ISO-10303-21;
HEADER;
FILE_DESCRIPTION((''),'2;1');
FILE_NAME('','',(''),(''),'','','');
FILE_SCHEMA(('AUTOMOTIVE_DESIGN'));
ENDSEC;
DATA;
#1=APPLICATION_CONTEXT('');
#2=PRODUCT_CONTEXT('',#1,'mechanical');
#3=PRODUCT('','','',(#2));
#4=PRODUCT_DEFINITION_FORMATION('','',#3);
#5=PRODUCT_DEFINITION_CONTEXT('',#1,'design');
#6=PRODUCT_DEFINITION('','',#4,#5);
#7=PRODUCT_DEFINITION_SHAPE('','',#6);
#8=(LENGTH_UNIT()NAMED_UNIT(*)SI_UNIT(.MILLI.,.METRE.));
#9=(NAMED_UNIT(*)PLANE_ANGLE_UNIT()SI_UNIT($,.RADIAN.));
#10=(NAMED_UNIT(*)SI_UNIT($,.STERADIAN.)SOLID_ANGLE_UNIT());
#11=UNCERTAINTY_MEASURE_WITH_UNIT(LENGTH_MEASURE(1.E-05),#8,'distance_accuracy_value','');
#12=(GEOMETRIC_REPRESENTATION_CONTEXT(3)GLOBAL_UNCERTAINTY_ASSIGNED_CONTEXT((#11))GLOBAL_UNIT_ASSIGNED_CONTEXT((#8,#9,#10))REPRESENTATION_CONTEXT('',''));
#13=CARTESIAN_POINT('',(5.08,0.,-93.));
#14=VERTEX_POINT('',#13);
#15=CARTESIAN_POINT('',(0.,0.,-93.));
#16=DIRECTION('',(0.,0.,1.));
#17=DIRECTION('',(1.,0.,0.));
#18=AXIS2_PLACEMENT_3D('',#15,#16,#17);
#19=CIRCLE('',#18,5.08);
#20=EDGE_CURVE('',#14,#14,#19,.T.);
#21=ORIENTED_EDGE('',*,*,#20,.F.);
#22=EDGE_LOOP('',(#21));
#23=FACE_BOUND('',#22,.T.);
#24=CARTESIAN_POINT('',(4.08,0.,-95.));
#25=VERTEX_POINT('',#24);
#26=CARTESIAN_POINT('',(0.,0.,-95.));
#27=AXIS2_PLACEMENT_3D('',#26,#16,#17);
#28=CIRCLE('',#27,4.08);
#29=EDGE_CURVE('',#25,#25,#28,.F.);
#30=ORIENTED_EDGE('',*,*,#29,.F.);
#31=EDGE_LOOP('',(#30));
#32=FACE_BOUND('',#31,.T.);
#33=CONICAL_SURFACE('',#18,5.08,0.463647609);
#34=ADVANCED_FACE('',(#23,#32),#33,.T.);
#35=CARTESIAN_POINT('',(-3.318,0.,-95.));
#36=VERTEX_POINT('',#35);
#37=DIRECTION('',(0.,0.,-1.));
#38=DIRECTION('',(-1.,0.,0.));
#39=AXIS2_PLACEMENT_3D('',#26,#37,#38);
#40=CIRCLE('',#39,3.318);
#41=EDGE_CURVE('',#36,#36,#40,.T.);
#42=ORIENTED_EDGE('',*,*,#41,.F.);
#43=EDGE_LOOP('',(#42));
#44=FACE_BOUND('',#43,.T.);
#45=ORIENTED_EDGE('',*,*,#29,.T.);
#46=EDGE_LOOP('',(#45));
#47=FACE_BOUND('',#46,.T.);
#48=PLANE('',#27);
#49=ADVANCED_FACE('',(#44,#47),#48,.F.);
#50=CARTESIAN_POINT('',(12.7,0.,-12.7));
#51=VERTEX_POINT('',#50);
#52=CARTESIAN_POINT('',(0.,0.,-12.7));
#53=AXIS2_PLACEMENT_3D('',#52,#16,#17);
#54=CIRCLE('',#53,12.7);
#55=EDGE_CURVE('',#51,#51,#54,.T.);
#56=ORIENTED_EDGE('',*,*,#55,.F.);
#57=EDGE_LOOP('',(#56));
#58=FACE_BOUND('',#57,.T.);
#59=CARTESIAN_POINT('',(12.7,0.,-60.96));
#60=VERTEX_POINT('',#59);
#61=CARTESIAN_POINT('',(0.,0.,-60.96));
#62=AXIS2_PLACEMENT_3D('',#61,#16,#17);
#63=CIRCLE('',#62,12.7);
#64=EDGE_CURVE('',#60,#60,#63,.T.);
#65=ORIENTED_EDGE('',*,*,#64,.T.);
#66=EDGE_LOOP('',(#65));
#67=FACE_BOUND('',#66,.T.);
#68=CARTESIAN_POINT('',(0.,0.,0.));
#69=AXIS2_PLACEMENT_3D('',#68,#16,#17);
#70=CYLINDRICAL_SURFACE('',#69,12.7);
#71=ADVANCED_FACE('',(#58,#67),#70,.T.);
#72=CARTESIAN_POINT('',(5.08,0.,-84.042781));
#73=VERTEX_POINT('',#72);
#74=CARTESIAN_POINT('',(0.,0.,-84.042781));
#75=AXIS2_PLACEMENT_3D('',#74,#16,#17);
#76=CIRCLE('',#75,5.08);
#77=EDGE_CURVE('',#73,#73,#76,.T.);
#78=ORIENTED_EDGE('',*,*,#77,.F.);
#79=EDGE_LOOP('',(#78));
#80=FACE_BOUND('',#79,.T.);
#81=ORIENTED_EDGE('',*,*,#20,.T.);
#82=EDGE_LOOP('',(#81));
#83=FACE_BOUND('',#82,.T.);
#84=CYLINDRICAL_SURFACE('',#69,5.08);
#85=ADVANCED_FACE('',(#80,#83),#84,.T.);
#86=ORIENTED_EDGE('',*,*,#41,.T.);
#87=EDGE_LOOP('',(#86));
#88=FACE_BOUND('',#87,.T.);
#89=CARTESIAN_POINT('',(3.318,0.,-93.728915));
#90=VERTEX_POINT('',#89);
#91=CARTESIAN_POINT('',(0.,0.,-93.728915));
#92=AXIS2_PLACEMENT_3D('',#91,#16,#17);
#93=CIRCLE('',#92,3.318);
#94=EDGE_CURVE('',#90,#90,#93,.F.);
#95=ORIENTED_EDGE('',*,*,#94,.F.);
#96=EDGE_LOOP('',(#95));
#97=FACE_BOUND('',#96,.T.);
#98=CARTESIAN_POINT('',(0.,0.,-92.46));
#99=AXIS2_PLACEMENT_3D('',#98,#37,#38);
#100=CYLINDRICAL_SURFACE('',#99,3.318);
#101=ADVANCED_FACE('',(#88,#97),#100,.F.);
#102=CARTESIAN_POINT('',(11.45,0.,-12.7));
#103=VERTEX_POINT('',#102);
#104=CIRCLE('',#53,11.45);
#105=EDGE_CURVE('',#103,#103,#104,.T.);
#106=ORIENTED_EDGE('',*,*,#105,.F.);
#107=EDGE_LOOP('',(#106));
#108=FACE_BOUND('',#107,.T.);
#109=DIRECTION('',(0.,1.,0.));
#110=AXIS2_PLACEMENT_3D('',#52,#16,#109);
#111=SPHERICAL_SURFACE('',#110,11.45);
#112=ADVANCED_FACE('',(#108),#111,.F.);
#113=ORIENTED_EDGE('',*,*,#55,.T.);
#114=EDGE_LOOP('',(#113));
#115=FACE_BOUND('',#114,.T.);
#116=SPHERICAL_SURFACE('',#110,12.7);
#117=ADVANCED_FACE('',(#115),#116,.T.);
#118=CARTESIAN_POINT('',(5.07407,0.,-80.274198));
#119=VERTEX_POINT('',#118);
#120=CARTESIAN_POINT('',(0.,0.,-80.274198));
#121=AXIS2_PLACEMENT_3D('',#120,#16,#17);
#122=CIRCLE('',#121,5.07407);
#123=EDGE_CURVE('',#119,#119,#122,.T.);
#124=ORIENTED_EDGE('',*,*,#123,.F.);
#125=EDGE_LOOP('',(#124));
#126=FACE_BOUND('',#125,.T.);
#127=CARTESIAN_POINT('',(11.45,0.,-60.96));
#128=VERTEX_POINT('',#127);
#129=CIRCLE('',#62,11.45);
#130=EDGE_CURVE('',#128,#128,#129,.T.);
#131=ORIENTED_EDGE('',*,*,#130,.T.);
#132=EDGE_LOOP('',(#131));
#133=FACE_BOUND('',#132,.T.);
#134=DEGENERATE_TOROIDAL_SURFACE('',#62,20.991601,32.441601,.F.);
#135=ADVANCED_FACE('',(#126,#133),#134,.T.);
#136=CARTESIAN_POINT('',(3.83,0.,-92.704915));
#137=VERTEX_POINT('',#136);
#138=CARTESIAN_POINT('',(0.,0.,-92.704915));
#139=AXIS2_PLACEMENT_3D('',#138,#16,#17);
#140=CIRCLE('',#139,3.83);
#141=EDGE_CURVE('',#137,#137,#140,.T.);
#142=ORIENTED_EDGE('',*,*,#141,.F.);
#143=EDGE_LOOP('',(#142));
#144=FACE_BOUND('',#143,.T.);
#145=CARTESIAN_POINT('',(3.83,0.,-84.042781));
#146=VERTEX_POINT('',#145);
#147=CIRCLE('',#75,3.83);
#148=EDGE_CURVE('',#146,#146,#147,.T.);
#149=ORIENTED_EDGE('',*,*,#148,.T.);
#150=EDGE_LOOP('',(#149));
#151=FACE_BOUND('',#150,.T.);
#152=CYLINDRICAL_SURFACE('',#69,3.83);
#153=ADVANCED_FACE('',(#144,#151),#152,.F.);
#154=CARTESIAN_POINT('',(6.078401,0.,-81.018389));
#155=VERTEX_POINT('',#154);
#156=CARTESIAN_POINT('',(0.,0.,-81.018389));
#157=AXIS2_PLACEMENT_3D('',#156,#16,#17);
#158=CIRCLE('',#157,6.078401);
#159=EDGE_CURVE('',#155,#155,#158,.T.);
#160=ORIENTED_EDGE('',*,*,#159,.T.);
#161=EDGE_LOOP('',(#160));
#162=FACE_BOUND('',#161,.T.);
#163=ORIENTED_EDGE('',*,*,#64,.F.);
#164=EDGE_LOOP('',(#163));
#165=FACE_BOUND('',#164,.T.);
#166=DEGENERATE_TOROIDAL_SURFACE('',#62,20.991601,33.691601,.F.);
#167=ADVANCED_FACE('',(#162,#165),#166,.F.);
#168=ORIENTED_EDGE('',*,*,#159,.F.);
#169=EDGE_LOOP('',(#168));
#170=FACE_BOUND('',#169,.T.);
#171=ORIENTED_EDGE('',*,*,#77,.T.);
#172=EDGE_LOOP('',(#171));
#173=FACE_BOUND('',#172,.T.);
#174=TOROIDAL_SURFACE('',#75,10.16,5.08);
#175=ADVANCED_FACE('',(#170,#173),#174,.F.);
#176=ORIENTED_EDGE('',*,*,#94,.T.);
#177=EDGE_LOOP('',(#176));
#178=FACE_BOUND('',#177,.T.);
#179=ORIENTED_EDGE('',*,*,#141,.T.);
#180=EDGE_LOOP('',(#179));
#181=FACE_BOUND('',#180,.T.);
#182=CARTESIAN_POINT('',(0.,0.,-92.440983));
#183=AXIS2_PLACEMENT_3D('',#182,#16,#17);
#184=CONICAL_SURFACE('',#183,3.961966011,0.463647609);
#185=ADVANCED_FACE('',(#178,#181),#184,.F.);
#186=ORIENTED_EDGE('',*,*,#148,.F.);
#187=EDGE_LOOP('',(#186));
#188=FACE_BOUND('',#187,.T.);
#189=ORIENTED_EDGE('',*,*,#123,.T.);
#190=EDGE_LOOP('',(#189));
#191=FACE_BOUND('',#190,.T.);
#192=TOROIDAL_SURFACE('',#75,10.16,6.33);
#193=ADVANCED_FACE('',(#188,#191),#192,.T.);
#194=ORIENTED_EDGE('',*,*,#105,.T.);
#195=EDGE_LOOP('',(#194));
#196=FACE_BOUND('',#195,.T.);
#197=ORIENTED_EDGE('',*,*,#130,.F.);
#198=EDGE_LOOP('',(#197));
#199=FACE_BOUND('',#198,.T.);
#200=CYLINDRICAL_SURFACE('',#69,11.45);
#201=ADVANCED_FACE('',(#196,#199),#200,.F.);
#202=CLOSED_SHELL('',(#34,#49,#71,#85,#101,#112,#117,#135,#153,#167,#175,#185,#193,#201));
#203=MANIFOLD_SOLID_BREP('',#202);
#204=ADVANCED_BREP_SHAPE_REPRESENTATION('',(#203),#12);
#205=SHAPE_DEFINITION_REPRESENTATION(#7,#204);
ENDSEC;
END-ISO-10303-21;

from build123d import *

# Parameters (mm, degrees)
CHAMFER1_SIZE      = 1
CHAMFER1_SIZE2     = 2
SHELL1_T           = 1.25
SKETCH3_R          = 3.318
CUT_EXTRUDE1_DEPTH = 2.54


with BuildPart() as part:
    # Sketch1 → Revolve1 (revolve)
    with BuildSketch(Plane(origin=(0, 0, 0), x_dir=(0, 0, -1), z_dir=(1, 0, 0))):
        with BuildLine():
            Line((0, 0), (95, 0))
            Line((95, 0), (95, 5.08))
            Line((95, 5.08), (84.042781462, 5.08))
            ThreePointArc((84.042781462, 5.08), (82.450318528, 5.336053296), (81.018389209, 6.078400864))
            ThreePointArc((81.018389209, 6.078400864), (71.521540522, 11.001802069), (60.96, 12.7))
            Line((60.96, 12.7), (12.7, 12.7))
            ThreePointArc((12.7, 12.7), (3.719743879, 8.980256121), (0, 0))
        make_face()
    revolve(axis=Axis((0, 0, 0), (0, 0, -1)))

    # Chamfer1
    chamfer1_edges = [part.edges().sort_by_distance(p)[0] for p in [
        (0, -5.08, -95),
    ]]
    chamfer1_side = [part.faces().sort_by_distance(p)[0] for p in [
        (0, 0, -95),
    ]]
    chamfer(chamfer1_edges, length=CHAMFER1_SIZE, length2=CHAMFER1_SIZE2, reference=chamfer1_side[0])

    # Shell1 (no face opened: a closed hollow body)
    add(offset(amount=-SHELL1_T, mode=Mode.PRIVATE), mode=Mode.SUBTRACT)

    # Sketch3 → Cut-Extrude1 (cut)
    with BuildSketch(Plane(origin=(0, 0, -95), x_dir=(-1, 0, 0), z_dir=(0, 0, -1))):
        Circle(SKETCH3_R)
    extrude(amount=-CUT_EXTRUDE1_DEPTH, mode=Mode.SUBTRACT)


solid = part.part
